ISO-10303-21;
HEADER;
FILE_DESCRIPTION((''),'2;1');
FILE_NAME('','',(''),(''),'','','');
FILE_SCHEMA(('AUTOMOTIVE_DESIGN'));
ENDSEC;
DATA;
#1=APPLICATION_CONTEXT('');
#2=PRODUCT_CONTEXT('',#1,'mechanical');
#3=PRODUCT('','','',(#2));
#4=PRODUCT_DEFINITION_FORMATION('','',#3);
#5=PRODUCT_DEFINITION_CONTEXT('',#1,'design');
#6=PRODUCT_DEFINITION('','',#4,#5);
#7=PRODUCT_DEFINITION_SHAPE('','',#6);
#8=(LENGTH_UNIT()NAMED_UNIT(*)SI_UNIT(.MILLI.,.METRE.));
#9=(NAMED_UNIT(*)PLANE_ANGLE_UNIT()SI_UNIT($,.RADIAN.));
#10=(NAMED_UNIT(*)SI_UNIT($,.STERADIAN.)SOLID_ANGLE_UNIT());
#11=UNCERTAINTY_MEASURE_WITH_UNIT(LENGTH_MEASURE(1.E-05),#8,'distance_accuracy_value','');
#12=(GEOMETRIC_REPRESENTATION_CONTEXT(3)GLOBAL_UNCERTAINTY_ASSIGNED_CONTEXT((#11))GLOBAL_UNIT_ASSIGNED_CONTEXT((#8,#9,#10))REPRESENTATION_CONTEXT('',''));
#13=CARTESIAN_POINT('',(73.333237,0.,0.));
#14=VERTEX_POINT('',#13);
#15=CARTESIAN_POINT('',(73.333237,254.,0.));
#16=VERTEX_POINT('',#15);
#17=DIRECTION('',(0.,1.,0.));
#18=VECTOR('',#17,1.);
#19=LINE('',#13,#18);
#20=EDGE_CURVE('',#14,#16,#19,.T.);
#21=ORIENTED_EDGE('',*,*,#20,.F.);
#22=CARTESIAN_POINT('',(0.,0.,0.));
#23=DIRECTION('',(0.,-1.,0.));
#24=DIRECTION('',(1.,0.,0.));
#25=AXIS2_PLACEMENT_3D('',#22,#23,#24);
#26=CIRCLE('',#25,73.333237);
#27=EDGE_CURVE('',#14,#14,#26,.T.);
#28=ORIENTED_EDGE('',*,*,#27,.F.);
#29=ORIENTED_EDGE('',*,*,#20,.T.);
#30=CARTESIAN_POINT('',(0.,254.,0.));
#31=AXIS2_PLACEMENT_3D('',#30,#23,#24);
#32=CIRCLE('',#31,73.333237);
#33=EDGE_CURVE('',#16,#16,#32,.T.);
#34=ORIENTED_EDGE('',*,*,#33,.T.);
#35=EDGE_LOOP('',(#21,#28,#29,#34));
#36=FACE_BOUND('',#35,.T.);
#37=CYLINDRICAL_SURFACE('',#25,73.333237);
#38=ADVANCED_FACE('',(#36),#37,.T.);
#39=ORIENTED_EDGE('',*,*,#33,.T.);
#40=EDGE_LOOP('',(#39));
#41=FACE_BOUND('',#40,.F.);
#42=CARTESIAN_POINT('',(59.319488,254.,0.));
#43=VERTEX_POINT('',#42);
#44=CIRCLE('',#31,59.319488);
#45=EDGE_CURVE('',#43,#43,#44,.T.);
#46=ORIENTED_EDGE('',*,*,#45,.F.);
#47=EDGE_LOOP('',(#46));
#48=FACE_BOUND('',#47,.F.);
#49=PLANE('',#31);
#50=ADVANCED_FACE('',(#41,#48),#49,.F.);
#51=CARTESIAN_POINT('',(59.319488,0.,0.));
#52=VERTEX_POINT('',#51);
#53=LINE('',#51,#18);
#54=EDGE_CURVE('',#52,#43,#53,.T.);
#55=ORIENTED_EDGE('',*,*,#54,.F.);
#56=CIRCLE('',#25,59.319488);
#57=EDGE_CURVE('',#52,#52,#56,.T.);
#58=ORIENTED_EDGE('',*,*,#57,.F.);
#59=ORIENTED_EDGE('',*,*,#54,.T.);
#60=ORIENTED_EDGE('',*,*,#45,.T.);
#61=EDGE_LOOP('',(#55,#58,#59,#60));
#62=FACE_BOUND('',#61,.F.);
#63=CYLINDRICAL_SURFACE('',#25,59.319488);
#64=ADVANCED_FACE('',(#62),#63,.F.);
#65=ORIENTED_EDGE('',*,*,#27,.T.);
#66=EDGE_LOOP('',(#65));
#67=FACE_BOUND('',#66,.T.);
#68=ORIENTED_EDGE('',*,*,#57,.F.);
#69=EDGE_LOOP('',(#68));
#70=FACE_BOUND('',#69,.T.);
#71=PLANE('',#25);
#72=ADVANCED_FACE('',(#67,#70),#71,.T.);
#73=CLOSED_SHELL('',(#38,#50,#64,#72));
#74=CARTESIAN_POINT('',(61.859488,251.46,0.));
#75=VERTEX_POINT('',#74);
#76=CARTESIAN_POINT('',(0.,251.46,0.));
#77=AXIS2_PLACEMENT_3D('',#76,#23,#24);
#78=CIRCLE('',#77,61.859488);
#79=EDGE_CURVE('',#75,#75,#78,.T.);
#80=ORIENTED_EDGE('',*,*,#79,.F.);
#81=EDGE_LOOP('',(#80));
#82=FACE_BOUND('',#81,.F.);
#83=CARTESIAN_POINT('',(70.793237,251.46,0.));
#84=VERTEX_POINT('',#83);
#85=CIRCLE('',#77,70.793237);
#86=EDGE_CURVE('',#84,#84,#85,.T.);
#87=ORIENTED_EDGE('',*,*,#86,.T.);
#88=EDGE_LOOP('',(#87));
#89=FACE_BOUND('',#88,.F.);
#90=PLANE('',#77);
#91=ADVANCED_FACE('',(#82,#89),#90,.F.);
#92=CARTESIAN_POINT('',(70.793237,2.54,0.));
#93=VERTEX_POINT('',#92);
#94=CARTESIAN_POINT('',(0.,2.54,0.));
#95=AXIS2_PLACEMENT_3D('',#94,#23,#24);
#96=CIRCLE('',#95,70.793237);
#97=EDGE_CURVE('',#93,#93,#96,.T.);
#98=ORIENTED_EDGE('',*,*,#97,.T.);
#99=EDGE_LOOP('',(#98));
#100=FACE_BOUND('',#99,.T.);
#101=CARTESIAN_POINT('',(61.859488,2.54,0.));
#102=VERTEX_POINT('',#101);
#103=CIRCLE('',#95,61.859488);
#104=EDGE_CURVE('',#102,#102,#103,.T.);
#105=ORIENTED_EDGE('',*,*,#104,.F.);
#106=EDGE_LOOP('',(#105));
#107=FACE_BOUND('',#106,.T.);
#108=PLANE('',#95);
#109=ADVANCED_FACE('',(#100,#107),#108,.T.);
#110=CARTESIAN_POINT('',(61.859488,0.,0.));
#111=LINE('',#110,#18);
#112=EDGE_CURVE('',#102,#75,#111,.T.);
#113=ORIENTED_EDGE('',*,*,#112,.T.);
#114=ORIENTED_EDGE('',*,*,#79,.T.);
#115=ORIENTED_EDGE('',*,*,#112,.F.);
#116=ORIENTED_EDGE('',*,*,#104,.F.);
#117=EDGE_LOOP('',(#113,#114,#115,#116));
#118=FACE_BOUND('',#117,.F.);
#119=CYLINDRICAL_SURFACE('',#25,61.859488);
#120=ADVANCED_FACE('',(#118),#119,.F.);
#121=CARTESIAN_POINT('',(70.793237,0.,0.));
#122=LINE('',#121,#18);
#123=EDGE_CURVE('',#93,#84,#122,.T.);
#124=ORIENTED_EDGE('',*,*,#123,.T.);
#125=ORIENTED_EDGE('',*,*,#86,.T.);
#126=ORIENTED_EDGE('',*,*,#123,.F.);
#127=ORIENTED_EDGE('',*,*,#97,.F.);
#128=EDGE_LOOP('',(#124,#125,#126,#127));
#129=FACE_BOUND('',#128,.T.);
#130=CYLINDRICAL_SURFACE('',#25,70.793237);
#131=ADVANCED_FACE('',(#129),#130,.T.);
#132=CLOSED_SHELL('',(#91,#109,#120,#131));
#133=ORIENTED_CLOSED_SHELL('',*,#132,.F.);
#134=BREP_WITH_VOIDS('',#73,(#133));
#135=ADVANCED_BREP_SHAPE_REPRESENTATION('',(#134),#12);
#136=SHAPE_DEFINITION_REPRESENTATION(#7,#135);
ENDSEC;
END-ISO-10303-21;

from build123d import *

# Parameters (mm, degrees)
F0_R     = 73.3332365525
F0_R_2   = 59.319487814
F1_DEPTH = 254
F2_T     = -2.54


with BuildPart() as f1:
    # F0 (on Front) → F1 (new body)
    with BuildSketch(Plane.XZ):
        Circle(F0_R)
        Circle(F0_R_2, mode=Mode.SUBTRACT)
    extrude(amount=-F1_DEPTH)

    # F2 (hollow: no face is removed)
    offset(amount=F2_T, mode=Mode.SUBTRACT)


solid = f1.part
